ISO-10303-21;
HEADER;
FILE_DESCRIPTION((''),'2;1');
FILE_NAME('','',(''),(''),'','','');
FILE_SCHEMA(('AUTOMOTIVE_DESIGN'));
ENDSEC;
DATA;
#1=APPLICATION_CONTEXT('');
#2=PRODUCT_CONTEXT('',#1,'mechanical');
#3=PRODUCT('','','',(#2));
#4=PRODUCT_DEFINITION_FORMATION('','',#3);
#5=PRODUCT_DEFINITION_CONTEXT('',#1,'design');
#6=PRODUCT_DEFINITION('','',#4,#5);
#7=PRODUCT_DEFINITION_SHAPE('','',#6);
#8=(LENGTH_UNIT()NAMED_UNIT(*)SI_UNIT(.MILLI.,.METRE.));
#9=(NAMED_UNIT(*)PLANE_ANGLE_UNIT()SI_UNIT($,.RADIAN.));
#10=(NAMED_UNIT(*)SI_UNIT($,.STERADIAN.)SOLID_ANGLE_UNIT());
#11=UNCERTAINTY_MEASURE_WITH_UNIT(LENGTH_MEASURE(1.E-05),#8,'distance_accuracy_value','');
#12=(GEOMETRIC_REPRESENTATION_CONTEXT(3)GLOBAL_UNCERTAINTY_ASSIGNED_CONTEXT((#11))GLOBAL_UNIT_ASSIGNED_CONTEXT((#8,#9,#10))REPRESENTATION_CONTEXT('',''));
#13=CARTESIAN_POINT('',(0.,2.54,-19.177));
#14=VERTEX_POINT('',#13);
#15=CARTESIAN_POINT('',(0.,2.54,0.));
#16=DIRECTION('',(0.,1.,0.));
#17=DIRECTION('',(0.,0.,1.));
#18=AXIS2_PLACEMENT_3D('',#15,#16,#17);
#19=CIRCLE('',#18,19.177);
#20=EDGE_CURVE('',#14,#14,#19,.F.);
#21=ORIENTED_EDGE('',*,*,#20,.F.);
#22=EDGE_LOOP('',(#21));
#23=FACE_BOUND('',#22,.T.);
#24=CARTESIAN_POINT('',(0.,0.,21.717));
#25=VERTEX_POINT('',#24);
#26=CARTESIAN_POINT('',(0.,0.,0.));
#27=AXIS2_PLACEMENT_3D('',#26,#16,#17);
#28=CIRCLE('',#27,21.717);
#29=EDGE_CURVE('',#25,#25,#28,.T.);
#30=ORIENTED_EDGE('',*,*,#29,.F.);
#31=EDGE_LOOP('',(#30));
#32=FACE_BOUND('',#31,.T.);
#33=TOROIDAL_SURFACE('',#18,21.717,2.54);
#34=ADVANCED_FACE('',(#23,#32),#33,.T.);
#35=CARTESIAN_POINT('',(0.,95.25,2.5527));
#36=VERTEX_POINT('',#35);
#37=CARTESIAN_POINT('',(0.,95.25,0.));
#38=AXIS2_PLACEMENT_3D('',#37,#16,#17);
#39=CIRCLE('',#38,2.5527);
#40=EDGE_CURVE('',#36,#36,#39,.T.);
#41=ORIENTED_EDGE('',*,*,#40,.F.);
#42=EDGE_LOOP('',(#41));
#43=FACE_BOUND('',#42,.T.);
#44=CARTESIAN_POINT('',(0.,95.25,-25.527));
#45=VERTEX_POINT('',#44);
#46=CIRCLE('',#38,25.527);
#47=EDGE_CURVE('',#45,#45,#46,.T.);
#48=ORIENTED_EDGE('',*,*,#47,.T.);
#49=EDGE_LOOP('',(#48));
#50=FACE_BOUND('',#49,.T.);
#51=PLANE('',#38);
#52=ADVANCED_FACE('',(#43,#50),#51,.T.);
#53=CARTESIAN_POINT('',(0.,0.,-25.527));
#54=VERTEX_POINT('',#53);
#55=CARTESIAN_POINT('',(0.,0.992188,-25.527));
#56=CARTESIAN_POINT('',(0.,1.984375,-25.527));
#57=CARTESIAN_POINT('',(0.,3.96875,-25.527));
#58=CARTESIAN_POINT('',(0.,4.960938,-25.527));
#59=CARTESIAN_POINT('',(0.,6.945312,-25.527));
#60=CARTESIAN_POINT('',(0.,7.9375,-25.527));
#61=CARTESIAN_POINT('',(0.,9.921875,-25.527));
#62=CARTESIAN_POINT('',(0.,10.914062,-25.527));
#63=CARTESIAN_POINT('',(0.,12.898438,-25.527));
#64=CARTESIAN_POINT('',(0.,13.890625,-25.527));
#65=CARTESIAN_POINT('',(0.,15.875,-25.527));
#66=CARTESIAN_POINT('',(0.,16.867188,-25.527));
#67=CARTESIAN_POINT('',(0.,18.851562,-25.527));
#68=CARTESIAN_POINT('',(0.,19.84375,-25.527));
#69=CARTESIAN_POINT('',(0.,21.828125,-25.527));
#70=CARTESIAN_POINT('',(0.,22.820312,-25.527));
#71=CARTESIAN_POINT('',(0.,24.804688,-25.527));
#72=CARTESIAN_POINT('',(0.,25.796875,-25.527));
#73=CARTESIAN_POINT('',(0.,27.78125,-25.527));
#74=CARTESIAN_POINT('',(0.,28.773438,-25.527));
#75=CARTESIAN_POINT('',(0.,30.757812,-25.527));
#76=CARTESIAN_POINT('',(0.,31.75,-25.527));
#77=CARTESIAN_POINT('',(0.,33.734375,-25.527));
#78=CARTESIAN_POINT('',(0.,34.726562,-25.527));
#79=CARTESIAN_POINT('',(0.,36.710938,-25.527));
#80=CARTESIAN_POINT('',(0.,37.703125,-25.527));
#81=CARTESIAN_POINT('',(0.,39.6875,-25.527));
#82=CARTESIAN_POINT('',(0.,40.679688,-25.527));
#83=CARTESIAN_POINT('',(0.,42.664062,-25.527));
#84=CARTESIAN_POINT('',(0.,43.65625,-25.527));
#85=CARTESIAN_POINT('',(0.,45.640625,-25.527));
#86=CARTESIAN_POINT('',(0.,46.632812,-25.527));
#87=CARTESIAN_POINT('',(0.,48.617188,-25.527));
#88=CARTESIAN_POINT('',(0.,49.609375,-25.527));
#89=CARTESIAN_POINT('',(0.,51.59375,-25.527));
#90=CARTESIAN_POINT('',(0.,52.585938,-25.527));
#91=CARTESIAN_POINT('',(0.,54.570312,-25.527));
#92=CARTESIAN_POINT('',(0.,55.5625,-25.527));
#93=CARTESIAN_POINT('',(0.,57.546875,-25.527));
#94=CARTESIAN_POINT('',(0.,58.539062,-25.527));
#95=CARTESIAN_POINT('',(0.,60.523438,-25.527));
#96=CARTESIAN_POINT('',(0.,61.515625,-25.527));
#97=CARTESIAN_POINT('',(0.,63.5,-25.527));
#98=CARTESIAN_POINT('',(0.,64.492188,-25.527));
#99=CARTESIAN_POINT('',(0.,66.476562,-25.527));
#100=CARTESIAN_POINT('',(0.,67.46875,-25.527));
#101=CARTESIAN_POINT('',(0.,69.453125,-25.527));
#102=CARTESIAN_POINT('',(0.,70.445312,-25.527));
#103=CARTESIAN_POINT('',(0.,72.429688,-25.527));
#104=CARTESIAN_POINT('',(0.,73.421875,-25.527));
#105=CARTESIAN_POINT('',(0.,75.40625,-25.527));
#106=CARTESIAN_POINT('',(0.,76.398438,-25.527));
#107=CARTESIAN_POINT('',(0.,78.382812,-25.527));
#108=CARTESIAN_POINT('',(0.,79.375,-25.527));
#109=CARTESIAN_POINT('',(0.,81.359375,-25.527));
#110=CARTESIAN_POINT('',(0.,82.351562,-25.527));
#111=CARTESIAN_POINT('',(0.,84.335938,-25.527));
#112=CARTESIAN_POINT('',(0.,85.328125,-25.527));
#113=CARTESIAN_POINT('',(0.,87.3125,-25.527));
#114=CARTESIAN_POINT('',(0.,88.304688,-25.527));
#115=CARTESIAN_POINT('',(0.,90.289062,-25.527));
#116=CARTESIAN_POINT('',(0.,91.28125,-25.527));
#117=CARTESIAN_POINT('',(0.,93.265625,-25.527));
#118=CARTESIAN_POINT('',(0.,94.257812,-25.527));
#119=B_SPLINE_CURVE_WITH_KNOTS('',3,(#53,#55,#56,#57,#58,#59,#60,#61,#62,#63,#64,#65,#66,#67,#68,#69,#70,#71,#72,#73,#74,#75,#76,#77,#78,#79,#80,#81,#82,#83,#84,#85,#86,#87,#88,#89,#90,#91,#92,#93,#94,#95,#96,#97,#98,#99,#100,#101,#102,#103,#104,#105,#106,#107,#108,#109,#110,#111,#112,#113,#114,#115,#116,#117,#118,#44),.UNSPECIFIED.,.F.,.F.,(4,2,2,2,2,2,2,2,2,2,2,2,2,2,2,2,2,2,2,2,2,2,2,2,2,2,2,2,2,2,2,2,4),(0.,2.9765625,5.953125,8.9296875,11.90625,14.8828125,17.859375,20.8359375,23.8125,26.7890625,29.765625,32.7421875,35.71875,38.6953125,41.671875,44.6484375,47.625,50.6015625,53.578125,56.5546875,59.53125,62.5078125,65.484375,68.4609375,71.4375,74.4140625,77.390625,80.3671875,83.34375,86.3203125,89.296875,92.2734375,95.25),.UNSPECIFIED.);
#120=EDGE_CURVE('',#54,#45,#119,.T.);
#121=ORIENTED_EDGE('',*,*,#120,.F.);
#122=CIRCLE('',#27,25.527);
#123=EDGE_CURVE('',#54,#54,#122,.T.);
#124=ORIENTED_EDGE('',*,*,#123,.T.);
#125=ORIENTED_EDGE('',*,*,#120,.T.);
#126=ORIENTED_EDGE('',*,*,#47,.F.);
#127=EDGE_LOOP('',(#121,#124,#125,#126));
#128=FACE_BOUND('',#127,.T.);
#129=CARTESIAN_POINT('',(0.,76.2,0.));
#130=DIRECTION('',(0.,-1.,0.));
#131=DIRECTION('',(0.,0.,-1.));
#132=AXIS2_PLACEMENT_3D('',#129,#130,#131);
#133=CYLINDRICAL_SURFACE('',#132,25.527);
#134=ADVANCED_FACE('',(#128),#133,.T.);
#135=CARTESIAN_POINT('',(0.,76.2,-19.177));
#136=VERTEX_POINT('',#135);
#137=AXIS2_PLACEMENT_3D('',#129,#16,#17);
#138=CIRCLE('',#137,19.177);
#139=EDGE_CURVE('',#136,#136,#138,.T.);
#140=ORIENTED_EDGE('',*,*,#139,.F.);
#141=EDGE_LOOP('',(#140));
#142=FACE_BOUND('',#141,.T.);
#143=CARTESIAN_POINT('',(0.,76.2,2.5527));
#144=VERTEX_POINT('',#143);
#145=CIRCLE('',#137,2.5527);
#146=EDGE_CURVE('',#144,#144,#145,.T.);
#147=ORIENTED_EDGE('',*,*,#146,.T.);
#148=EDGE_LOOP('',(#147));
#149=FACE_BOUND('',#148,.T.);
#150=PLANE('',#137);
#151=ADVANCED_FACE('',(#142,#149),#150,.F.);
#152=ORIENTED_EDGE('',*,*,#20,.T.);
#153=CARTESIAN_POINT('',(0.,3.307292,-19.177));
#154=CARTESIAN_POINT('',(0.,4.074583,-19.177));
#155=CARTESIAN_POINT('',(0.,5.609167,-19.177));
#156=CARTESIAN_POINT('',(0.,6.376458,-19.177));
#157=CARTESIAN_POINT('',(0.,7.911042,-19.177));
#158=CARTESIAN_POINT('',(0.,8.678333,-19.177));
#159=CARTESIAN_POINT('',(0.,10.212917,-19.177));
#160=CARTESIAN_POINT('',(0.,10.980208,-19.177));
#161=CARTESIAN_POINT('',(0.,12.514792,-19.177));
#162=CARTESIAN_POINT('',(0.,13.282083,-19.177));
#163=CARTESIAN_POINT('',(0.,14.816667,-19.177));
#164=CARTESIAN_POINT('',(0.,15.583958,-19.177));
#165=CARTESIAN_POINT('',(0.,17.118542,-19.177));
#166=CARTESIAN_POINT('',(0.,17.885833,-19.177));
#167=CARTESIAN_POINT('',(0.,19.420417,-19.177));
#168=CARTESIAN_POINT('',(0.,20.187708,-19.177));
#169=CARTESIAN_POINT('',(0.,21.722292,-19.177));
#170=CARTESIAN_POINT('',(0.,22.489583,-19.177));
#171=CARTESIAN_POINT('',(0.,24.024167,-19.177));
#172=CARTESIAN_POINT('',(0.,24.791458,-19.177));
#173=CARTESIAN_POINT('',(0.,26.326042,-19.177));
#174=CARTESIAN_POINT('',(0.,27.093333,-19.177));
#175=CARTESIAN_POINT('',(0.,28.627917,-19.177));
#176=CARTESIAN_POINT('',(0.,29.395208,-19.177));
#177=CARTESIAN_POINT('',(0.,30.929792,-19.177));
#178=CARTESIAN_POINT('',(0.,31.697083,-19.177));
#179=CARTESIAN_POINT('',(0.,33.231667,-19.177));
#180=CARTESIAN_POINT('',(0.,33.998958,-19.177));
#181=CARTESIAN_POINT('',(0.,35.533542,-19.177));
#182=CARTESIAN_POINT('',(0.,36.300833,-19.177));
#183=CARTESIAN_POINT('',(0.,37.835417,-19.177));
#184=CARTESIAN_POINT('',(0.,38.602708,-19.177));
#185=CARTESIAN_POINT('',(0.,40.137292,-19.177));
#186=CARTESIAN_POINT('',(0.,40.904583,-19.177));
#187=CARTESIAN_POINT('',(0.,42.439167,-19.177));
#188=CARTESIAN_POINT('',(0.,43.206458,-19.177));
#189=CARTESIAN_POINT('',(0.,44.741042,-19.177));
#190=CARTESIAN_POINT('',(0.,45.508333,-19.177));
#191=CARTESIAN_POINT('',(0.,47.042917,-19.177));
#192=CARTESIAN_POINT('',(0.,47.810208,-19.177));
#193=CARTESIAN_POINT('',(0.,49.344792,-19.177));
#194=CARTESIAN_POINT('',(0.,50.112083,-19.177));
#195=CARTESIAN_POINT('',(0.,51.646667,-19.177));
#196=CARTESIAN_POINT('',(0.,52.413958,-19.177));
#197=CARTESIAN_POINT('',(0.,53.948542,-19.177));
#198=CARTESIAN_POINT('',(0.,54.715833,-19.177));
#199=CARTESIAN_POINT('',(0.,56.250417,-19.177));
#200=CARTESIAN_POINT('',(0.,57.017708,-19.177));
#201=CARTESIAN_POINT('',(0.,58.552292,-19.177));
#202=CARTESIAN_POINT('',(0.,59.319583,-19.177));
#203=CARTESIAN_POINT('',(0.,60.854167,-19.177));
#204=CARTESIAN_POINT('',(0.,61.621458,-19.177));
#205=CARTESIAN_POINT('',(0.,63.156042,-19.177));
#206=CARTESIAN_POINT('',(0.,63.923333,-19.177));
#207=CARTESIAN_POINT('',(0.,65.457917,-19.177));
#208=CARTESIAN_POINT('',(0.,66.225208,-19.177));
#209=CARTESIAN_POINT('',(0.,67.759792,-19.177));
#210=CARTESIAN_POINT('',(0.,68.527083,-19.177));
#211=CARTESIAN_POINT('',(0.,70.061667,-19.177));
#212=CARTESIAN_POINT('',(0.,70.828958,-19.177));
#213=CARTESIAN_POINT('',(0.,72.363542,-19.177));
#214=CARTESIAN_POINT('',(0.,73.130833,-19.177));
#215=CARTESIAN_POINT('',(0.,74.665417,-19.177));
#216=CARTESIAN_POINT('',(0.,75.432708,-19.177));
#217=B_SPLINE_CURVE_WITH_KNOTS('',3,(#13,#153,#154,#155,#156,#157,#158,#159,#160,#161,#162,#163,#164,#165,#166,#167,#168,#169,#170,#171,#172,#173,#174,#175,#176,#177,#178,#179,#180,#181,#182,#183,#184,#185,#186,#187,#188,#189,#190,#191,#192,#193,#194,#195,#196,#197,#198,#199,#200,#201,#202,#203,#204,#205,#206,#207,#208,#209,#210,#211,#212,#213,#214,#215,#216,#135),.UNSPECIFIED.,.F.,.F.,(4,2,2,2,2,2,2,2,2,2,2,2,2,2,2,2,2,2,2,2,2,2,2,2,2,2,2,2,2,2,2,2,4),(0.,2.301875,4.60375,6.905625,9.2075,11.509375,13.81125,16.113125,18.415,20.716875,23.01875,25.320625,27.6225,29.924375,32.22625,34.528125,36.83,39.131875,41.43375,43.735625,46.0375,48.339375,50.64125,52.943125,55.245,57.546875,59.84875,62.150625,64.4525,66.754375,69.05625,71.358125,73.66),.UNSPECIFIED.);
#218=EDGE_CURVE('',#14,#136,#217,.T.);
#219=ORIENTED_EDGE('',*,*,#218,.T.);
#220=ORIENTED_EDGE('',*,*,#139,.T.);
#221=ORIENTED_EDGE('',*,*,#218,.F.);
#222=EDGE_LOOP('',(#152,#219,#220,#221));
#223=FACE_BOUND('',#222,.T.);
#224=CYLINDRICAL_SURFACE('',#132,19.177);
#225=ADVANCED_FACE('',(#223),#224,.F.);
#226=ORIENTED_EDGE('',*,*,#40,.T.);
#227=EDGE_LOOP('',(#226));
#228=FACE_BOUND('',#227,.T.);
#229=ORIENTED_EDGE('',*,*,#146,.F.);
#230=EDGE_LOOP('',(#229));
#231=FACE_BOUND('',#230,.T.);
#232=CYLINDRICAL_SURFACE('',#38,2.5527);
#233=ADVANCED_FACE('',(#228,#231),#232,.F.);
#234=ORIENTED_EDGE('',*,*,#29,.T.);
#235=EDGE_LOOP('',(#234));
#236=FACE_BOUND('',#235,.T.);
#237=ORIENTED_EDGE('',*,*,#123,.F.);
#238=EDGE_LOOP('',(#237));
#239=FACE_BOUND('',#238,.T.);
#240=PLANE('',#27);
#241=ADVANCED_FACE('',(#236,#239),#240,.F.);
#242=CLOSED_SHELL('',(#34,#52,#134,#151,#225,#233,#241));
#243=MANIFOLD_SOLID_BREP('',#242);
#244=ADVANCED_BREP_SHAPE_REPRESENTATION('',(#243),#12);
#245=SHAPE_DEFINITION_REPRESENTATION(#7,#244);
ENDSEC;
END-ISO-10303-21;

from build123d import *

# Parameters (mm, degrees)
SKETCH1_R                   = 25.527
SKETCH1_R_2                 = 19.177
BOSS_EXTRUDE1_DEPTH         = 76.2
SKETCH2_R                   = 25.527
BOSS_EXTRUDE2_DEPTH         = 19.05
TAP_DRILL_FOR_1_4_20_TAP1_D = 5.1054
FILLET1_R                   = 2.54


with BuildPart() as part:
    # Sketch1 → Boss-Extrude1 (new body)
    with BuildSketch(Plane(origin=(0, 0, 0), x_dir=(1, 0, 0), z_dir=(0, 1, 0))):
        with Locations(Location((0, 0, 0), (0, 0, 90))):
            Circle(SKETCH1_R)
        with Locations(Location((0, 0, 0), (0, 0, 90))):
            Circle(SKETCH1_R_2, mode=Mode.SUBTRACT)
    extrude(amount=BOSS_EXTRUDE1_DEPTH)

    # Sketch2 → Boss-Extrude2 (add)
    with BuildSketch(Plane(origin=(0, 76.2, 0), x_dir=(1, 0, 0), z_dir=(0, 1, 0))):
        with Locations(Location((0, 0, 0), (0, 0, 90))):
            Circle(SKETCH2_R)
    extrude(amount=BOSS_EXTRUDE2_DEPTH)

    # Tap Drill for 1/4-20 Tap1 (through all)
    with Locations(Plane.ZX.offset(95.25)):
        with Locations((0, 0)):
            Hole(TAP_DRILL_FOR_1_4_20_TAP1_D / 2)

    # Fillet1
    fillet1_edges = [part.edges().sort_by_distance(p)[0] for p in [
        (0, 0, 19.177),
    ]]
    fillet(fillet1_edges, radius=FILLET1_R)


solid = part.part
